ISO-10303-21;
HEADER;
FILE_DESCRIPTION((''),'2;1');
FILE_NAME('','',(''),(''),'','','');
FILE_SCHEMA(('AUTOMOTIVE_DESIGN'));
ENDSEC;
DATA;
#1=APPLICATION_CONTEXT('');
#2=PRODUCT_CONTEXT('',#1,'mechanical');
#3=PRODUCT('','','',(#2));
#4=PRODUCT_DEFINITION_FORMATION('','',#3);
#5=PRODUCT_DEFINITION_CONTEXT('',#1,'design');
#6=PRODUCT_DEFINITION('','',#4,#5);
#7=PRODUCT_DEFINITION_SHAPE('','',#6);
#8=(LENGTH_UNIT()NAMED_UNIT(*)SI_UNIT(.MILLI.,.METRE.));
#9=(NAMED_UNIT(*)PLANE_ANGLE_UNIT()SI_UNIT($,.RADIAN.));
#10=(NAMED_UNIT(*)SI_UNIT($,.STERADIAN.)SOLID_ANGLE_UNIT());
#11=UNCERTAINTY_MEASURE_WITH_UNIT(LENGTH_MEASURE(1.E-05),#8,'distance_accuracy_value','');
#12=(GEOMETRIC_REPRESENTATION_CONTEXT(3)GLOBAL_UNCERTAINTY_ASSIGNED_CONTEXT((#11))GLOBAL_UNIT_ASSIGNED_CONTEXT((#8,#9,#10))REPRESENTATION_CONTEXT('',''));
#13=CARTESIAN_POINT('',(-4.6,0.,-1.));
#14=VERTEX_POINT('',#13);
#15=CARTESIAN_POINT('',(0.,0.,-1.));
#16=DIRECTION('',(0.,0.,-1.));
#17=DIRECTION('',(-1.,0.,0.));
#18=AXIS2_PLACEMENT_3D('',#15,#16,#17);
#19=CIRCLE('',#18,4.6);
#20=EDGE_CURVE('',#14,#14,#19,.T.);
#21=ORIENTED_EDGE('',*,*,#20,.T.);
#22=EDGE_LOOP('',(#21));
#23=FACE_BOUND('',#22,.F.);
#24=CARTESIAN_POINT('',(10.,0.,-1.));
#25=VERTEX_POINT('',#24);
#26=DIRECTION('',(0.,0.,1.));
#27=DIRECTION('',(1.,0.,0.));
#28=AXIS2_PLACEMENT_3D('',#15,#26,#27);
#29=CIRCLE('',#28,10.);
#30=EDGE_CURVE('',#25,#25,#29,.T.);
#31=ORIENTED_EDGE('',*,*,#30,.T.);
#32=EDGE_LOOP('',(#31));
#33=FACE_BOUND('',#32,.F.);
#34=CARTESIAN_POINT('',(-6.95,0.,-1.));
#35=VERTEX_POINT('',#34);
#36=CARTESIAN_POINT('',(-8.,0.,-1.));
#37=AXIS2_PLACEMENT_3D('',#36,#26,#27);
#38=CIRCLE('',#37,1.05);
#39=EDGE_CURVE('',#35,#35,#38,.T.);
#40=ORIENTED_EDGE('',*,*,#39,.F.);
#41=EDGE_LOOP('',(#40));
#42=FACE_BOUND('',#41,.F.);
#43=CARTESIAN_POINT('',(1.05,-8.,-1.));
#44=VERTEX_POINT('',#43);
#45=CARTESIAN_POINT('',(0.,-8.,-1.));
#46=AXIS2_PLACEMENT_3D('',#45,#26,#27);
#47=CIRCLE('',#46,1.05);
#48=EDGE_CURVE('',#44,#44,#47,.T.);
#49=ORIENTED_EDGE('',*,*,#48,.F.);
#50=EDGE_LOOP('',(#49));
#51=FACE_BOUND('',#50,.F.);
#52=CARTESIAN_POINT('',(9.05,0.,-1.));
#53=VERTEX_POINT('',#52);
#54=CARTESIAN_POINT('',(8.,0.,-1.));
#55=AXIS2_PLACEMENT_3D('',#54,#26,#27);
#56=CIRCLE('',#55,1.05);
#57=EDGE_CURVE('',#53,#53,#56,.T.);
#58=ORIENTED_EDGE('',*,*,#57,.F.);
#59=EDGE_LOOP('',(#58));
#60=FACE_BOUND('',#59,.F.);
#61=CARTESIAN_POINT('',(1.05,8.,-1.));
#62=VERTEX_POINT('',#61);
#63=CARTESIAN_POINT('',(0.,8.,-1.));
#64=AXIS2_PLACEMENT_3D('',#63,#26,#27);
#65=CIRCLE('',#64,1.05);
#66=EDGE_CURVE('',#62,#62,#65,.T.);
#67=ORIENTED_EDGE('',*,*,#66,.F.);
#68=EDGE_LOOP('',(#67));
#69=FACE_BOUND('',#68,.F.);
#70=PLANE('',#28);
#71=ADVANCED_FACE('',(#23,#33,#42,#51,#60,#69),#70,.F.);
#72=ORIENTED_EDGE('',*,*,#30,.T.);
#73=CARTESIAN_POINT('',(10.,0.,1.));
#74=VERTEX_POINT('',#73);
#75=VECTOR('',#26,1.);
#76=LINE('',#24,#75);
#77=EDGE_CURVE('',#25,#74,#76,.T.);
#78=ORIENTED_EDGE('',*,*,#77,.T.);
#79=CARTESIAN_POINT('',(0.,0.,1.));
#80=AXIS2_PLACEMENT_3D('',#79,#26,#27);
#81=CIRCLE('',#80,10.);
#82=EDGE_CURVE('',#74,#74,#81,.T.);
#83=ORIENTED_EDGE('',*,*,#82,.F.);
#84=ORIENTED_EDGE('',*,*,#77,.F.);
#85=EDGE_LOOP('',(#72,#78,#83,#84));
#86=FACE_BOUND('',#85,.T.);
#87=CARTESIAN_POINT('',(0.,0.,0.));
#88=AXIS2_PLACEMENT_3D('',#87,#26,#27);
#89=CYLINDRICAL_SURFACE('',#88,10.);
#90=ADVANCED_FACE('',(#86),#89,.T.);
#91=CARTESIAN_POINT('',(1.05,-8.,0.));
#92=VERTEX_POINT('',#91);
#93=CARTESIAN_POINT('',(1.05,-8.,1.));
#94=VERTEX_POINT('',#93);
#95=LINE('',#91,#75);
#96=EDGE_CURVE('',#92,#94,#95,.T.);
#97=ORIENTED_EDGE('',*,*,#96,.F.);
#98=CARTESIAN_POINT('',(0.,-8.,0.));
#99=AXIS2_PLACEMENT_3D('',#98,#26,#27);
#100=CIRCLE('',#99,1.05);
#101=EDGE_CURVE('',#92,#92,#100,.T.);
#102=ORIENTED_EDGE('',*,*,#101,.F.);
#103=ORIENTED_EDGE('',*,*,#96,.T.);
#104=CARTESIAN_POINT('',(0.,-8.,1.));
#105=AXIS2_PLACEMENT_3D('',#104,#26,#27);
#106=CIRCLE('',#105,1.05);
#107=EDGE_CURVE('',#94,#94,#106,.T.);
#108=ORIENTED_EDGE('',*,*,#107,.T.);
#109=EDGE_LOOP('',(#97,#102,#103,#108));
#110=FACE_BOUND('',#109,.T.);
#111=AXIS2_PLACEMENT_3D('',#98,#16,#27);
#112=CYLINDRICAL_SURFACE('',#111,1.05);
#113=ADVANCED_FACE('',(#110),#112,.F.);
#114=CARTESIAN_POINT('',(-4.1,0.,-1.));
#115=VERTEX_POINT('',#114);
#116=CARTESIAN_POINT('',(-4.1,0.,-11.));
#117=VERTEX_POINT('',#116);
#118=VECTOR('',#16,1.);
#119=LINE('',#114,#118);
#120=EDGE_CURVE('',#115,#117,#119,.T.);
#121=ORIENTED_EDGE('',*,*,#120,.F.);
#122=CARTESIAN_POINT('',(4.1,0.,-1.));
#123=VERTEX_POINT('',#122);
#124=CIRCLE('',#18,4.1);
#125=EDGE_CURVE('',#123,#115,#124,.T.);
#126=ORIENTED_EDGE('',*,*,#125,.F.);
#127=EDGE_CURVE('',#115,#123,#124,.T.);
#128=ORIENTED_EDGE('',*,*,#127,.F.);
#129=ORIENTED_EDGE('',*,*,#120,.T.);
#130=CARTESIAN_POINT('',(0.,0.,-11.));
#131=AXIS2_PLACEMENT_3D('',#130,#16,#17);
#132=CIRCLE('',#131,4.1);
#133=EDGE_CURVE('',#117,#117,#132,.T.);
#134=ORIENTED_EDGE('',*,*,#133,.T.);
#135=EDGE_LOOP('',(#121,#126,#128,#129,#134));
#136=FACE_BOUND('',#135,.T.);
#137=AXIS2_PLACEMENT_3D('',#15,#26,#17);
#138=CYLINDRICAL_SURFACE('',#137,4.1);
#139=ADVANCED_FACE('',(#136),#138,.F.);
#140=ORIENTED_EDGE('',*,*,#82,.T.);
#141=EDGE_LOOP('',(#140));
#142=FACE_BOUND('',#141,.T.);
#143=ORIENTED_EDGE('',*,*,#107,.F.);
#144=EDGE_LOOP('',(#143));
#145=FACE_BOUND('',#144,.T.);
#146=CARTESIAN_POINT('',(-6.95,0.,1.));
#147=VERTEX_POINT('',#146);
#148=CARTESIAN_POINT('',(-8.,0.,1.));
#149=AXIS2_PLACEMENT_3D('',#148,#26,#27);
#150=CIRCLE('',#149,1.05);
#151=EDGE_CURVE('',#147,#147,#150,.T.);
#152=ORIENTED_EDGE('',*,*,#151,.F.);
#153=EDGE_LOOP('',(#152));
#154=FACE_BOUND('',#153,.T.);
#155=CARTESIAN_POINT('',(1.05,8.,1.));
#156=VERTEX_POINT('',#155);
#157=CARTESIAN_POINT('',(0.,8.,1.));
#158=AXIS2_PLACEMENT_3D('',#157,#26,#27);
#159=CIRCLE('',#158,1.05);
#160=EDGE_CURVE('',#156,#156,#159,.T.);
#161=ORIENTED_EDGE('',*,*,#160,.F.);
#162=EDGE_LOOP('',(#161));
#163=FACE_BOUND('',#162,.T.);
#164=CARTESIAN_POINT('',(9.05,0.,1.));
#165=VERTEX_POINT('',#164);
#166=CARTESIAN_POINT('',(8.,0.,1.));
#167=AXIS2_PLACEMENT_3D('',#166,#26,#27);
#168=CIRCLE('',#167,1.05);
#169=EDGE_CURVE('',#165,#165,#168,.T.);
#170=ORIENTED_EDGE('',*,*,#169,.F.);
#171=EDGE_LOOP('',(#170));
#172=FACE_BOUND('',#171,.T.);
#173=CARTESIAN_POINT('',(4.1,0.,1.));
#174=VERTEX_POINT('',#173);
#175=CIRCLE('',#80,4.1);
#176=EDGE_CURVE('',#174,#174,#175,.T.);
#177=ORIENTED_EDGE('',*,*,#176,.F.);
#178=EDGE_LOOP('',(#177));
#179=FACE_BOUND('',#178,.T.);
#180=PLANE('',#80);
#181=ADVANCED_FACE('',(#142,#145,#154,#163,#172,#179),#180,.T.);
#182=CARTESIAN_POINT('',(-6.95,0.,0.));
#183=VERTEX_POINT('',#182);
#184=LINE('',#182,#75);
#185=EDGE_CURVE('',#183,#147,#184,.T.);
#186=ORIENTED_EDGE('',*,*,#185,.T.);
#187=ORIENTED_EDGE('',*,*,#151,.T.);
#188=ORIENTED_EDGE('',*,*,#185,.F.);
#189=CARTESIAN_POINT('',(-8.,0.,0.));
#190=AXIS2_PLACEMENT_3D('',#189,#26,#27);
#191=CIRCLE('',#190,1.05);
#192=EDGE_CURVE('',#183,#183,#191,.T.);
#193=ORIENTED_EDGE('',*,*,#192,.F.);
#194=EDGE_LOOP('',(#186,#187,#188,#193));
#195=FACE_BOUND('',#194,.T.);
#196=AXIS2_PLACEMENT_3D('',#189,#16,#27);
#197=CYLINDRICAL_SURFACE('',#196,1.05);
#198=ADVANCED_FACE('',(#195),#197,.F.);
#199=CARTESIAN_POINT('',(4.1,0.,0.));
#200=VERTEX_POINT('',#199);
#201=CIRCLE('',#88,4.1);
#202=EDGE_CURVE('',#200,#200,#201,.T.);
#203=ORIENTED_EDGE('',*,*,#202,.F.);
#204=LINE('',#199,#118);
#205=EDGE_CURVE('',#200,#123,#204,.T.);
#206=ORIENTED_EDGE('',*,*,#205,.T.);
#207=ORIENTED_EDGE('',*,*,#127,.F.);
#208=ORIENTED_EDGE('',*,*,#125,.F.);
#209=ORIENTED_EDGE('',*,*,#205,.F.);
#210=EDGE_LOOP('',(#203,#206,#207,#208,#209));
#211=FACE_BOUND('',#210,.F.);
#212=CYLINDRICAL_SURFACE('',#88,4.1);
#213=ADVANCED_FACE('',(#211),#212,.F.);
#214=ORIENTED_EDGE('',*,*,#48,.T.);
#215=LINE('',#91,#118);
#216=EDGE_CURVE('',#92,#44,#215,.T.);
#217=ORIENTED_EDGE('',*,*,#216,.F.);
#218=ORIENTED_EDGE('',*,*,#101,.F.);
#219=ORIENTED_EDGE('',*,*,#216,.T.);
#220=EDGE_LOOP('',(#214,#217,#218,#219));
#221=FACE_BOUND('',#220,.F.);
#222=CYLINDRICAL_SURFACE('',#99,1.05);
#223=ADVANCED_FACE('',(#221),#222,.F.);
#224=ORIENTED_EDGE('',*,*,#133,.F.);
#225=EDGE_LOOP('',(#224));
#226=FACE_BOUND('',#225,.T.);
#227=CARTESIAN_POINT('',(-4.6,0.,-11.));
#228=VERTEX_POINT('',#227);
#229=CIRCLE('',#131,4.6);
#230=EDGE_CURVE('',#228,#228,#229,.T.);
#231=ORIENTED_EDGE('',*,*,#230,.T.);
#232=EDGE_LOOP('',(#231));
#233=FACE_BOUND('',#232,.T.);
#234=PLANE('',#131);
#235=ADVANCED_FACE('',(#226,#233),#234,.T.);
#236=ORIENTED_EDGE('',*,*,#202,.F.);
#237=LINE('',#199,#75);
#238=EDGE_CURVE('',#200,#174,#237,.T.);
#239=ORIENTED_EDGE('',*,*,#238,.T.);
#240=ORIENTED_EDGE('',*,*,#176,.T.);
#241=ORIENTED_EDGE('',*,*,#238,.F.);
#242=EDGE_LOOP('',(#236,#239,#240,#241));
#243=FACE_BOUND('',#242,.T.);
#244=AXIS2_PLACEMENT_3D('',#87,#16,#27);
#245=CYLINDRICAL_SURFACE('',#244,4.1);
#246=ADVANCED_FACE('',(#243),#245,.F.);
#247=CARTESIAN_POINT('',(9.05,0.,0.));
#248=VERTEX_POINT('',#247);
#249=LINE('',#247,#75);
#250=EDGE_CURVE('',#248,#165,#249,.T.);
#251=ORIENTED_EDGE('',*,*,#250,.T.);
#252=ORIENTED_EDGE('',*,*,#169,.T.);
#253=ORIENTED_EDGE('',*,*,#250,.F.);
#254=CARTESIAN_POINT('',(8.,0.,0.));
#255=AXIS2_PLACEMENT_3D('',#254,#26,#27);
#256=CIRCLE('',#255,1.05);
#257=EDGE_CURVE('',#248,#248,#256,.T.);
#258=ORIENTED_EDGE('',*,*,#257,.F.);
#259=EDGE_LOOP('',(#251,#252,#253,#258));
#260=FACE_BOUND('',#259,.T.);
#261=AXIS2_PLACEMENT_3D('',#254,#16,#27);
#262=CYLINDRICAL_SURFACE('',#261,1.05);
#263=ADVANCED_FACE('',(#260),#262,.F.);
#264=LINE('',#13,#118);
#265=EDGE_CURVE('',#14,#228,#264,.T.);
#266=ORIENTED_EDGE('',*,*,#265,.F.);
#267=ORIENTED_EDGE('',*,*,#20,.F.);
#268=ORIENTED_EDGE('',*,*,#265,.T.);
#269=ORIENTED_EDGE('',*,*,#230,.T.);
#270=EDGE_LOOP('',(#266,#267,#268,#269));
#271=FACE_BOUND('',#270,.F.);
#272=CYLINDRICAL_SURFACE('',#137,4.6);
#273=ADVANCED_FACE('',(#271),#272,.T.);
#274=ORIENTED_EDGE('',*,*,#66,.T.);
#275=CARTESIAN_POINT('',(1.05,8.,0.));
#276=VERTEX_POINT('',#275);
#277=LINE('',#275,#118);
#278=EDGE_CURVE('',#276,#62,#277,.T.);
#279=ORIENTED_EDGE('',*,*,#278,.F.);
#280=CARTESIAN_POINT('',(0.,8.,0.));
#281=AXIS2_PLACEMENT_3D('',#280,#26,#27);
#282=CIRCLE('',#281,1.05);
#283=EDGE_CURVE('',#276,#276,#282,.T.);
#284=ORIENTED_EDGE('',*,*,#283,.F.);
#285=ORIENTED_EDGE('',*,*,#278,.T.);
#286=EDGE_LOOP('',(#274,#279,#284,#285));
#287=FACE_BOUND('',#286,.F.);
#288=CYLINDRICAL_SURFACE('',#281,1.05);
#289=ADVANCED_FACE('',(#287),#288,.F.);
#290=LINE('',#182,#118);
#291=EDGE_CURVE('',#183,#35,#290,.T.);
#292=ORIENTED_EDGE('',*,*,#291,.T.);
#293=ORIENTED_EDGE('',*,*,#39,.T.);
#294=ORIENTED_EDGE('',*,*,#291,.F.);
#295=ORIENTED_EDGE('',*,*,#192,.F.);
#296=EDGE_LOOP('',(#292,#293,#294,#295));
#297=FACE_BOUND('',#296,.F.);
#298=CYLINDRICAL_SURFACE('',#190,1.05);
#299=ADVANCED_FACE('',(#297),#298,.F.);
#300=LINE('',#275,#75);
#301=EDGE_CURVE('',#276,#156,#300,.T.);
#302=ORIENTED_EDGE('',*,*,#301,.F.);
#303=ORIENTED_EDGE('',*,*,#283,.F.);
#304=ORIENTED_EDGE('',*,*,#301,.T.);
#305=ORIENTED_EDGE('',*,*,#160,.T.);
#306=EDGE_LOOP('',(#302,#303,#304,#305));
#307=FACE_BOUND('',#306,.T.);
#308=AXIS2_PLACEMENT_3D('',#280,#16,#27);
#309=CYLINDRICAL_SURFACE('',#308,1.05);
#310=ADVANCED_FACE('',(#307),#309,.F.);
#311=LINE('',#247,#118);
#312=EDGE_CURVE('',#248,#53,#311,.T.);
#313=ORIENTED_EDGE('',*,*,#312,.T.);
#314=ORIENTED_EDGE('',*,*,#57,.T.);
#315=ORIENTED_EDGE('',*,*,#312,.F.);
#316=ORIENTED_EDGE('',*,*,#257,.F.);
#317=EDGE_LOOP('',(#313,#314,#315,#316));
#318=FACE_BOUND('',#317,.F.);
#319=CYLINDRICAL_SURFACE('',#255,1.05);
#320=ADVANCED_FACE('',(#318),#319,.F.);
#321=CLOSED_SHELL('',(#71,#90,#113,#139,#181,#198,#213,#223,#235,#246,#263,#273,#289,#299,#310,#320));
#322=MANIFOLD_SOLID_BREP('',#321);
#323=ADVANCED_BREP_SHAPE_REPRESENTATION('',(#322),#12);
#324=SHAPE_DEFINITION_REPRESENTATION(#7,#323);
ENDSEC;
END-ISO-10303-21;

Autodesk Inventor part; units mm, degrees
sketch "Sketch1" plane through (0, 0, 0) normal (0, 0, 1) x (1, 0, 0)
  circle A0 centre (0, 0) radius 4.1
  circle A1 centre (0, 0) radius 10
  circle A2 centre (0, 8) radius 1.05
  circle A3 centre (-8, 0) radius 1.05
  circle A4 centre (0, -8) radius 1.05
  circle A5 centre (8, 0) radius 1.05
  dimension "d0" = 8.2
  dimension "d7" = 20
  dimension "d33" = 2.1
  dimension "d34" = 8
  dimension "d37" = 360
ref_plane "Work Plane5" through (0, 0, -1) normal (0, 0, -1) x (-1, 0, 0)
sketch "Sketch5" plane through (0, 0, -1) normal (0, 0, -1) x (-1, 0, 0)
  circle A0 centre (0, 0) radius 4.1 projected
  circle A1 centre (0, 0) radius 4.6
  dimension "d30" = 0.5
extrude "Extrusion8" add sketch "Sketch5" along normal blind 10
extrude "Extrusion9" add sketch "Sketch1" along normal mid plane 2
properties part number "porca_roscada_trapezoidal_001" material "Aluminum 6061"
